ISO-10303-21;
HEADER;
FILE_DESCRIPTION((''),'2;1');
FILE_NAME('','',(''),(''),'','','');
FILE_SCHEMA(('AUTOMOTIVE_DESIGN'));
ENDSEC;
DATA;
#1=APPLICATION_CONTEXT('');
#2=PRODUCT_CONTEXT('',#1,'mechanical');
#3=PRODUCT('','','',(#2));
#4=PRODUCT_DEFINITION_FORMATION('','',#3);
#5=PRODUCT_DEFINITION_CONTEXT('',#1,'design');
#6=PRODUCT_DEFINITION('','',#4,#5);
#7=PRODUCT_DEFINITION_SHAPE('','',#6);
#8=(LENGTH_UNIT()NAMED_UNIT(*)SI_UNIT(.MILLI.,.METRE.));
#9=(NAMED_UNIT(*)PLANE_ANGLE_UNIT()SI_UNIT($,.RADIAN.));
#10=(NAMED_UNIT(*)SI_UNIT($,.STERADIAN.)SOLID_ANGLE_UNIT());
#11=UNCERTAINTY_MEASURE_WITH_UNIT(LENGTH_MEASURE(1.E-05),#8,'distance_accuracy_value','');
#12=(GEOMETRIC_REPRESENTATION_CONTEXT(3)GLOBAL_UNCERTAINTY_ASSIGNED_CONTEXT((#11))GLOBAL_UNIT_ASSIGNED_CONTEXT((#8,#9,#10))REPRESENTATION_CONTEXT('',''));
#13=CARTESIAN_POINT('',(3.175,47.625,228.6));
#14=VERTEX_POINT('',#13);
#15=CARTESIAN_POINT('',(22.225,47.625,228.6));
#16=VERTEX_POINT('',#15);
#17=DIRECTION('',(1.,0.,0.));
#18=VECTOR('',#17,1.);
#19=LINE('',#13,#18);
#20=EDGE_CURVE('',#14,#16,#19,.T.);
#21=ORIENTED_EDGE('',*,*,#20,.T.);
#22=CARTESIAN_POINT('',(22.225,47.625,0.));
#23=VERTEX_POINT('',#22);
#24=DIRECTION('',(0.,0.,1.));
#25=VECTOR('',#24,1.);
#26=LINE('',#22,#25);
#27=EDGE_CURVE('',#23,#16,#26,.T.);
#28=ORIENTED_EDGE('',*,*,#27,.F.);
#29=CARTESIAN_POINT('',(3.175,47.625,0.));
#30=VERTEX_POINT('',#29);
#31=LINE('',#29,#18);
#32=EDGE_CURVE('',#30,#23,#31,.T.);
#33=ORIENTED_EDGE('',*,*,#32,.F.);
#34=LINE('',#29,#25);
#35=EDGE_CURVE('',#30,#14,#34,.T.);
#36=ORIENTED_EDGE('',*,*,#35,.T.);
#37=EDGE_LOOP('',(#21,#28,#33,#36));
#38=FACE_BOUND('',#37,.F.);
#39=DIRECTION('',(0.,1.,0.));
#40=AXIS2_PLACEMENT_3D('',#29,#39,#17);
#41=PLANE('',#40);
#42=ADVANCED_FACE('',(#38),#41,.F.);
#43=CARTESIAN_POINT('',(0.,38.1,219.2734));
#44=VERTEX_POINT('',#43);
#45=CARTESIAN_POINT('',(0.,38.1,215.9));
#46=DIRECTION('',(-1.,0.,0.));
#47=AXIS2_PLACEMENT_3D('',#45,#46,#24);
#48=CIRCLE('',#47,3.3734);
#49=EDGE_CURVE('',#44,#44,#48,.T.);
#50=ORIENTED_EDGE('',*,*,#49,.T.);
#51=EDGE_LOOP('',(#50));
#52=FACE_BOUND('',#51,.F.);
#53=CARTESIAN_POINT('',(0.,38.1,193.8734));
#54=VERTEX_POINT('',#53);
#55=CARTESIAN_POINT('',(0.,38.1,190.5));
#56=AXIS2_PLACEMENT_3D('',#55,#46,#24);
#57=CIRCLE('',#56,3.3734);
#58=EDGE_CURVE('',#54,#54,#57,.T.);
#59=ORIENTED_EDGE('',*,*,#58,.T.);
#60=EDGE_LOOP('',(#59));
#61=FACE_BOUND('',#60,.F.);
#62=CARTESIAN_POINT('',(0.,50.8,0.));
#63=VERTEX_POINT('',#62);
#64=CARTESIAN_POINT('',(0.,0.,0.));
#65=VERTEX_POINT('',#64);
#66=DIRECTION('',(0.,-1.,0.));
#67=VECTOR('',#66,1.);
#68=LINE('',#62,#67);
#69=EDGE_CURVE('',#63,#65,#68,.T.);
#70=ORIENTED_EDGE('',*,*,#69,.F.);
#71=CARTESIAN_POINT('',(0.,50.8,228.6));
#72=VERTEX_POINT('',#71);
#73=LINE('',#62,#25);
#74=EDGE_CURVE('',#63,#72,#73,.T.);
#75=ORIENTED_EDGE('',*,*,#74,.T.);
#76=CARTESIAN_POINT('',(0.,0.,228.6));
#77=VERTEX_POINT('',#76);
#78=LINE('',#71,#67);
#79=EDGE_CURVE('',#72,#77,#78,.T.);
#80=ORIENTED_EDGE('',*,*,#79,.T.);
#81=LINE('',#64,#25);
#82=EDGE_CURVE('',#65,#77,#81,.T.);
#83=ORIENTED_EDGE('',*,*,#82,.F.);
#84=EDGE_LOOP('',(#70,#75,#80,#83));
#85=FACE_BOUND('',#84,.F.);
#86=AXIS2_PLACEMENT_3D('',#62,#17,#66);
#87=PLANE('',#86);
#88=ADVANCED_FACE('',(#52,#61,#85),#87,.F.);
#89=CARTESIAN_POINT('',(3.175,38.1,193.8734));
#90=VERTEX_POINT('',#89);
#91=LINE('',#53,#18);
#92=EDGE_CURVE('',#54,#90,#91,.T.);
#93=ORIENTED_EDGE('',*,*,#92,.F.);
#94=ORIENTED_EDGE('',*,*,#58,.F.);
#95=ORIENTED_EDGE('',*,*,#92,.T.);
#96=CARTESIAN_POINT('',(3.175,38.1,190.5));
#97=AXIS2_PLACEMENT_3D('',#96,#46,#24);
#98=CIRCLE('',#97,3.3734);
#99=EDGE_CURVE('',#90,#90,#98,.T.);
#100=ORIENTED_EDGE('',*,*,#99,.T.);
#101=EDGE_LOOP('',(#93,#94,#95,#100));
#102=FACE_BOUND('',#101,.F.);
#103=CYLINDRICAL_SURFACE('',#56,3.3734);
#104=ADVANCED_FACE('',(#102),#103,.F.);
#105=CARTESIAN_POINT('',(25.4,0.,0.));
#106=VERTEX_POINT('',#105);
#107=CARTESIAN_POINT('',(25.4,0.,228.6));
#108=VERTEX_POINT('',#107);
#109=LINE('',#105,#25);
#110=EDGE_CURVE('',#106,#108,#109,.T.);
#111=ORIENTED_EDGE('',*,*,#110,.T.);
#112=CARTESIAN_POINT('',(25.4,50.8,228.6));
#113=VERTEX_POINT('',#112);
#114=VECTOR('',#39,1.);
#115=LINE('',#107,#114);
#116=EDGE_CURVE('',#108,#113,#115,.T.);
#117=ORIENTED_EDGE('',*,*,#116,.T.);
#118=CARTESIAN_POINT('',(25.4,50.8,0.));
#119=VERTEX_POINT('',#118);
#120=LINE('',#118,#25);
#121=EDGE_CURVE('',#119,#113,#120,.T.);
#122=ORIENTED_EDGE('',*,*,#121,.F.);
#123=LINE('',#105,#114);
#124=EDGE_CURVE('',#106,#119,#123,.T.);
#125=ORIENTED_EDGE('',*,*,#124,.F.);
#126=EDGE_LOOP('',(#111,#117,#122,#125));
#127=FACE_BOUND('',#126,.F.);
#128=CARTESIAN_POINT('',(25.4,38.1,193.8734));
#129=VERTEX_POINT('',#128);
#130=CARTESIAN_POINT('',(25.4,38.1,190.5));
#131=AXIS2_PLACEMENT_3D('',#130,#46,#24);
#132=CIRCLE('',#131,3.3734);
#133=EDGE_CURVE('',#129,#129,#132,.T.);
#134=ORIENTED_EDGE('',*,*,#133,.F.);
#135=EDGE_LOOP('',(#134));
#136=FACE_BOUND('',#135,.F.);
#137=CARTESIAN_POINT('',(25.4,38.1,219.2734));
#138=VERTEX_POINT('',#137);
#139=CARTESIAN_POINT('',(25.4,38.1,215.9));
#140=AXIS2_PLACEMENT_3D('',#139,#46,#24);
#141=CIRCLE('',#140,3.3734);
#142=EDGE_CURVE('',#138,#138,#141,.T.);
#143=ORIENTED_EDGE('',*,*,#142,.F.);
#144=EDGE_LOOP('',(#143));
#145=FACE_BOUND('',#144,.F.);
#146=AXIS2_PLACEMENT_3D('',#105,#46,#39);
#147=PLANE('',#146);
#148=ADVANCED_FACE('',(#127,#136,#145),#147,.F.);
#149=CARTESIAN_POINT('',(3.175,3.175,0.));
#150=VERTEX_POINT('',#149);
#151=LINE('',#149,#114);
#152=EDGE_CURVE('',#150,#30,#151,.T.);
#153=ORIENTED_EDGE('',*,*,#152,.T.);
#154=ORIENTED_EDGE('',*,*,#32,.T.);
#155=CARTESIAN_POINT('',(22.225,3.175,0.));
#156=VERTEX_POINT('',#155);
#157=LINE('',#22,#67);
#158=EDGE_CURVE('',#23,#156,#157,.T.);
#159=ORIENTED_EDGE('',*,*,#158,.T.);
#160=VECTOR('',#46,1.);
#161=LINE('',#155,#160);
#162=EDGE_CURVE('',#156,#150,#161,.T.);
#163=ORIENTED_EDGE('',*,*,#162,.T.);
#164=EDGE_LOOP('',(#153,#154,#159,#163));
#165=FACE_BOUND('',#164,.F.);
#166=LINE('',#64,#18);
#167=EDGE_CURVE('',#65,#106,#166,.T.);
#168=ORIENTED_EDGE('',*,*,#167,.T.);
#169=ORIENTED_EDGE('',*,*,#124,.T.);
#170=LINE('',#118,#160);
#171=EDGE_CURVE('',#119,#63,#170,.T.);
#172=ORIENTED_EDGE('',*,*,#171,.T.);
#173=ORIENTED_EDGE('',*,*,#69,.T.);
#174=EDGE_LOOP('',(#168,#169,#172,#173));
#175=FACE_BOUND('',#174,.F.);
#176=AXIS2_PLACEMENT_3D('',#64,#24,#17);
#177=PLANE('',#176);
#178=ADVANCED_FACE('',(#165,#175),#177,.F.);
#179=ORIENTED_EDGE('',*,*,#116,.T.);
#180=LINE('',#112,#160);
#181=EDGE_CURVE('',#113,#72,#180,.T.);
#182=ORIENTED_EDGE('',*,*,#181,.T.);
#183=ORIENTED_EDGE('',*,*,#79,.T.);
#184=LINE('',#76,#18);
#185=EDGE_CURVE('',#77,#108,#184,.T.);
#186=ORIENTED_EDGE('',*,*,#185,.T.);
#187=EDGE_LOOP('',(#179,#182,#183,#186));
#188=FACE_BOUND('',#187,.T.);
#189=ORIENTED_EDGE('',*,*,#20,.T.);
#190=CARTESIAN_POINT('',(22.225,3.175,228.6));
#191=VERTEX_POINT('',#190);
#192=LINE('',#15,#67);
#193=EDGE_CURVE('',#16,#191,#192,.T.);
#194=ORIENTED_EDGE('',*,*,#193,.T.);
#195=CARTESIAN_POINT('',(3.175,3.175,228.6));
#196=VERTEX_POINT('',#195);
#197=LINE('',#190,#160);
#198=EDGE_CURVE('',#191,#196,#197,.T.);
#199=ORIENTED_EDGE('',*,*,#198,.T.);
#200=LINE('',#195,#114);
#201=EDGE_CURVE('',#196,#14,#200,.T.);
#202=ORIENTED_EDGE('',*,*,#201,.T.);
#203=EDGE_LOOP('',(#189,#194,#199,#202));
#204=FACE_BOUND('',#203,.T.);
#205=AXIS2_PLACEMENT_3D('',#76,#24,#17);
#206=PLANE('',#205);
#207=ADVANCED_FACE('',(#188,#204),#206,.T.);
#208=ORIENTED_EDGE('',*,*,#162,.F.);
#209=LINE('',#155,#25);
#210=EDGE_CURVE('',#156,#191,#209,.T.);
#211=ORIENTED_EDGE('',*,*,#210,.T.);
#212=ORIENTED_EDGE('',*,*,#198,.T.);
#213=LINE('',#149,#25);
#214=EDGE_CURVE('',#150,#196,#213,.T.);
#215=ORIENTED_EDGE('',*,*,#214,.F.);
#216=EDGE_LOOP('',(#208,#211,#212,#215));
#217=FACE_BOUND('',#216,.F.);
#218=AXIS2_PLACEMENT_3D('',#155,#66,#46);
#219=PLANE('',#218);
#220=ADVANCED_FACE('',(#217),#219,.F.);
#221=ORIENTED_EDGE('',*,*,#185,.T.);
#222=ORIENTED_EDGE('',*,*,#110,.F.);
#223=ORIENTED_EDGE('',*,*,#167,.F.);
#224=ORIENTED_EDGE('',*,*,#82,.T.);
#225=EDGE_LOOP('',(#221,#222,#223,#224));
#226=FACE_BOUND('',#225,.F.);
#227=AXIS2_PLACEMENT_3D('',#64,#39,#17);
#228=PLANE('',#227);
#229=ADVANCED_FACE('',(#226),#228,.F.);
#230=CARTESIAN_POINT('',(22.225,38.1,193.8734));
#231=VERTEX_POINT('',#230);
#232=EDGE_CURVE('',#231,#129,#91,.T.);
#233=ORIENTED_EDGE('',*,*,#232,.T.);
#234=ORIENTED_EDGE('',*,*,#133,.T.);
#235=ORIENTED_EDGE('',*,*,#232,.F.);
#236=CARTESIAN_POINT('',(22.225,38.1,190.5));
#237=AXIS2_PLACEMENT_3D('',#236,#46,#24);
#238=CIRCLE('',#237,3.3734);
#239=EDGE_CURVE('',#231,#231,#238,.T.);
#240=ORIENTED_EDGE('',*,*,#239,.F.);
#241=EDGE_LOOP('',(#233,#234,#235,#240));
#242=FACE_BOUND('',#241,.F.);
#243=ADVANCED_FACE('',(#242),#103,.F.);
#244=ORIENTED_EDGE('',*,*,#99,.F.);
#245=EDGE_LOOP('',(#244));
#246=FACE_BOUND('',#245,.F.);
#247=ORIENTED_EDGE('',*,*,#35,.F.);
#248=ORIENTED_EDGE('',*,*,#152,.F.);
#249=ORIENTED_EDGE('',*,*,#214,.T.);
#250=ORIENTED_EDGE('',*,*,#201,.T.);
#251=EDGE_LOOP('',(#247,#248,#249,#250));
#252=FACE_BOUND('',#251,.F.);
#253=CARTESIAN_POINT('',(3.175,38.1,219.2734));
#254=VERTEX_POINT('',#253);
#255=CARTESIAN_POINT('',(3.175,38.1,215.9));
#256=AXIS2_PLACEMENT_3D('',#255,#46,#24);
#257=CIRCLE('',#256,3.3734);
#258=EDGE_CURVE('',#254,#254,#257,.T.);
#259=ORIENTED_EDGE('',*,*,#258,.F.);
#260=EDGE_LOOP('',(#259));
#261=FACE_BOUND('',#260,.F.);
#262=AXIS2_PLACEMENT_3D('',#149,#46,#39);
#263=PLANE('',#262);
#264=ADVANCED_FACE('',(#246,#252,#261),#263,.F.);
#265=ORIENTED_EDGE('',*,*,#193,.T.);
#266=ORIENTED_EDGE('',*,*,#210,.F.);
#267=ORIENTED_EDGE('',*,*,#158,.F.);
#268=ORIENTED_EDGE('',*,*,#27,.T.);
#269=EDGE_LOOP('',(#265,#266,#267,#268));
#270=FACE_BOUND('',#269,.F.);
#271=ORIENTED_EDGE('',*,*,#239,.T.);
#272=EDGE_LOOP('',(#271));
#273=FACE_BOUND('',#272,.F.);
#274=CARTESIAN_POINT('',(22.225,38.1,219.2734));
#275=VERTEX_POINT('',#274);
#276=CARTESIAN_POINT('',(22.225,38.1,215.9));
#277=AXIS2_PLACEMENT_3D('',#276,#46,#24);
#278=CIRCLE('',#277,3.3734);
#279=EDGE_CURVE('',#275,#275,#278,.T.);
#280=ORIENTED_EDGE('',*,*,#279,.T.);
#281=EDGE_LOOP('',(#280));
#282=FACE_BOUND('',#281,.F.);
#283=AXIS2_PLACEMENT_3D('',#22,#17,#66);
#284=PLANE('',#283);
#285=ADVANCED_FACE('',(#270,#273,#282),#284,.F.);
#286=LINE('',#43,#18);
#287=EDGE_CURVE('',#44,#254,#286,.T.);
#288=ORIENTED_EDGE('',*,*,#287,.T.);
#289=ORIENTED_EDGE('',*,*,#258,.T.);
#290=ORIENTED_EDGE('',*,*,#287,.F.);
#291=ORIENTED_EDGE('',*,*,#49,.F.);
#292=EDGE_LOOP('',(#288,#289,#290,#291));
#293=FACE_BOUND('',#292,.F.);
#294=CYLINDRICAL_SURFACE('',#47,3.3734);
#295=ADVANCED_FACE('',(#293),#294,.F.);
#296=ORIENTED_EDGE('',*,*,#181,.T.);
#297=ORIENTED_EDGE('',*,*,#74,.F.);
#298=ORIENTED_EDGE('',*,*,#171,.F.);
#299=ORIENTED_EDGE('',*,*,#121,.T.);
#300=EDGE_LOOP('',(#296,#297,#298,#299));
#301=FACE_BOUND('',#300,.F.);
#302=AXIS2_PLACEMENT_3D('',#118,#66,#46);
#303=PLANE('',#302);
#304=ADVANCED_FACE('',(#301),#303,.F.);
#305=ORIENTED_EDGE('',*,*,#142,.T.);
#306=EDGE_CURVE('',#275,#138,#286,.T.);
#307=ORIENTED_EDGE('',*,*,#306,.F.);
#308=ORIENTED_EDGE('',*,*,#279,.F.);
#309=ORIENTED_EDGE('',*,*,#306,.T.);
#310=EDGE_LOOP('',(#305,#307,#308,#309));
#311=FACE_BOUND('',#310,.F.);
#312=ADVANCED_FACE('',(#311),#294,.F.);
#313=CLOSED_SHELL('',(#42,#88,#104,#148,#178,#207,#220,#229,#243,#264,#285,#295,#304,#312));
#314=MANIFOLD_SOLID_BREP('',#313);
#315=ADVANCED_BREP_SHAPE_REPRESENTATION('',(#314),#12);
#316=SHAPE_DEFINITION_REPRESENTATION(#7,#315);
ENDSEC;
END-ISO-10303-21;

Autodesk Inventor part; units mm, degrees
ref_plane "YZ Plane" through (0, 0, 0) normal (1, 0, 0) x (0, 1, 0)
ref_plane "XZ Plane" through (0, 0, 0) normal (0, 1, 0) x (-1, 0, 0)
ref_plane "XY Plane" through (0, 0, 0) normal (0, 0, 1) x (1, 0, 0)
sketch "Sketch1" plane through (0, 0, 0) normal (0, 0, 1) x (1, 0, 0)
  line L0 (0, 0) -> (25.4, 0)
  line L1 (25.4, 0) -> (25.4, 50.8)
  line L2 (25.4, 50.8) -> (0, 50.8)
  line L3 (0, 50.8) -> (0, 0)
  line L4 (22.225, 3.175) -> (3.175, 3.175)
  line L5 (3.175, 3.175) -> (3.175, 47.625)
  line L6 (3.175, 47.625) -> (22.225, 47.625)
  line L7 (22.225, 47.625) -> (22.225, 3.175)
  dimension "d0" = 25.4
  dimension "d1" = 50.8
  dimension "d2" = 3.175
  dimension "d3" = 3.175
  dimension "d4" = 3.175
  dimension "d5" = 3.175
extrude "Extrusion1" add sketch "Sketch1" along normal blind 228.6
sketch "Sketch2" plane through (0, 0, 0) normal (-1, 0, 0) x (0, 0, 1)
  circle A0 centre (215.9, 38.1) radius 3.3734
  circle A1 centre (190.5, 38.1) radius 3.3734
  line L0 (0, 50.8) -> (228.6, 50.8) projected
  line L1 (228.6, 50.8) -> (228.6, 0) projected
  point P0 (0, 0)
  dimension "d8" = 6.7469
  dimension "d9" = 6.7469
  dimension "d10" = 12.7
  dimension "d11" = 12.7
  dimension "d12" = 12.7
  dimension "d13" = 38.1
extrude "Extrusion2" cut sketch "Sketch2" against normal blind 25.4
properties part number "superstructure" material "Aluminum 6061"
